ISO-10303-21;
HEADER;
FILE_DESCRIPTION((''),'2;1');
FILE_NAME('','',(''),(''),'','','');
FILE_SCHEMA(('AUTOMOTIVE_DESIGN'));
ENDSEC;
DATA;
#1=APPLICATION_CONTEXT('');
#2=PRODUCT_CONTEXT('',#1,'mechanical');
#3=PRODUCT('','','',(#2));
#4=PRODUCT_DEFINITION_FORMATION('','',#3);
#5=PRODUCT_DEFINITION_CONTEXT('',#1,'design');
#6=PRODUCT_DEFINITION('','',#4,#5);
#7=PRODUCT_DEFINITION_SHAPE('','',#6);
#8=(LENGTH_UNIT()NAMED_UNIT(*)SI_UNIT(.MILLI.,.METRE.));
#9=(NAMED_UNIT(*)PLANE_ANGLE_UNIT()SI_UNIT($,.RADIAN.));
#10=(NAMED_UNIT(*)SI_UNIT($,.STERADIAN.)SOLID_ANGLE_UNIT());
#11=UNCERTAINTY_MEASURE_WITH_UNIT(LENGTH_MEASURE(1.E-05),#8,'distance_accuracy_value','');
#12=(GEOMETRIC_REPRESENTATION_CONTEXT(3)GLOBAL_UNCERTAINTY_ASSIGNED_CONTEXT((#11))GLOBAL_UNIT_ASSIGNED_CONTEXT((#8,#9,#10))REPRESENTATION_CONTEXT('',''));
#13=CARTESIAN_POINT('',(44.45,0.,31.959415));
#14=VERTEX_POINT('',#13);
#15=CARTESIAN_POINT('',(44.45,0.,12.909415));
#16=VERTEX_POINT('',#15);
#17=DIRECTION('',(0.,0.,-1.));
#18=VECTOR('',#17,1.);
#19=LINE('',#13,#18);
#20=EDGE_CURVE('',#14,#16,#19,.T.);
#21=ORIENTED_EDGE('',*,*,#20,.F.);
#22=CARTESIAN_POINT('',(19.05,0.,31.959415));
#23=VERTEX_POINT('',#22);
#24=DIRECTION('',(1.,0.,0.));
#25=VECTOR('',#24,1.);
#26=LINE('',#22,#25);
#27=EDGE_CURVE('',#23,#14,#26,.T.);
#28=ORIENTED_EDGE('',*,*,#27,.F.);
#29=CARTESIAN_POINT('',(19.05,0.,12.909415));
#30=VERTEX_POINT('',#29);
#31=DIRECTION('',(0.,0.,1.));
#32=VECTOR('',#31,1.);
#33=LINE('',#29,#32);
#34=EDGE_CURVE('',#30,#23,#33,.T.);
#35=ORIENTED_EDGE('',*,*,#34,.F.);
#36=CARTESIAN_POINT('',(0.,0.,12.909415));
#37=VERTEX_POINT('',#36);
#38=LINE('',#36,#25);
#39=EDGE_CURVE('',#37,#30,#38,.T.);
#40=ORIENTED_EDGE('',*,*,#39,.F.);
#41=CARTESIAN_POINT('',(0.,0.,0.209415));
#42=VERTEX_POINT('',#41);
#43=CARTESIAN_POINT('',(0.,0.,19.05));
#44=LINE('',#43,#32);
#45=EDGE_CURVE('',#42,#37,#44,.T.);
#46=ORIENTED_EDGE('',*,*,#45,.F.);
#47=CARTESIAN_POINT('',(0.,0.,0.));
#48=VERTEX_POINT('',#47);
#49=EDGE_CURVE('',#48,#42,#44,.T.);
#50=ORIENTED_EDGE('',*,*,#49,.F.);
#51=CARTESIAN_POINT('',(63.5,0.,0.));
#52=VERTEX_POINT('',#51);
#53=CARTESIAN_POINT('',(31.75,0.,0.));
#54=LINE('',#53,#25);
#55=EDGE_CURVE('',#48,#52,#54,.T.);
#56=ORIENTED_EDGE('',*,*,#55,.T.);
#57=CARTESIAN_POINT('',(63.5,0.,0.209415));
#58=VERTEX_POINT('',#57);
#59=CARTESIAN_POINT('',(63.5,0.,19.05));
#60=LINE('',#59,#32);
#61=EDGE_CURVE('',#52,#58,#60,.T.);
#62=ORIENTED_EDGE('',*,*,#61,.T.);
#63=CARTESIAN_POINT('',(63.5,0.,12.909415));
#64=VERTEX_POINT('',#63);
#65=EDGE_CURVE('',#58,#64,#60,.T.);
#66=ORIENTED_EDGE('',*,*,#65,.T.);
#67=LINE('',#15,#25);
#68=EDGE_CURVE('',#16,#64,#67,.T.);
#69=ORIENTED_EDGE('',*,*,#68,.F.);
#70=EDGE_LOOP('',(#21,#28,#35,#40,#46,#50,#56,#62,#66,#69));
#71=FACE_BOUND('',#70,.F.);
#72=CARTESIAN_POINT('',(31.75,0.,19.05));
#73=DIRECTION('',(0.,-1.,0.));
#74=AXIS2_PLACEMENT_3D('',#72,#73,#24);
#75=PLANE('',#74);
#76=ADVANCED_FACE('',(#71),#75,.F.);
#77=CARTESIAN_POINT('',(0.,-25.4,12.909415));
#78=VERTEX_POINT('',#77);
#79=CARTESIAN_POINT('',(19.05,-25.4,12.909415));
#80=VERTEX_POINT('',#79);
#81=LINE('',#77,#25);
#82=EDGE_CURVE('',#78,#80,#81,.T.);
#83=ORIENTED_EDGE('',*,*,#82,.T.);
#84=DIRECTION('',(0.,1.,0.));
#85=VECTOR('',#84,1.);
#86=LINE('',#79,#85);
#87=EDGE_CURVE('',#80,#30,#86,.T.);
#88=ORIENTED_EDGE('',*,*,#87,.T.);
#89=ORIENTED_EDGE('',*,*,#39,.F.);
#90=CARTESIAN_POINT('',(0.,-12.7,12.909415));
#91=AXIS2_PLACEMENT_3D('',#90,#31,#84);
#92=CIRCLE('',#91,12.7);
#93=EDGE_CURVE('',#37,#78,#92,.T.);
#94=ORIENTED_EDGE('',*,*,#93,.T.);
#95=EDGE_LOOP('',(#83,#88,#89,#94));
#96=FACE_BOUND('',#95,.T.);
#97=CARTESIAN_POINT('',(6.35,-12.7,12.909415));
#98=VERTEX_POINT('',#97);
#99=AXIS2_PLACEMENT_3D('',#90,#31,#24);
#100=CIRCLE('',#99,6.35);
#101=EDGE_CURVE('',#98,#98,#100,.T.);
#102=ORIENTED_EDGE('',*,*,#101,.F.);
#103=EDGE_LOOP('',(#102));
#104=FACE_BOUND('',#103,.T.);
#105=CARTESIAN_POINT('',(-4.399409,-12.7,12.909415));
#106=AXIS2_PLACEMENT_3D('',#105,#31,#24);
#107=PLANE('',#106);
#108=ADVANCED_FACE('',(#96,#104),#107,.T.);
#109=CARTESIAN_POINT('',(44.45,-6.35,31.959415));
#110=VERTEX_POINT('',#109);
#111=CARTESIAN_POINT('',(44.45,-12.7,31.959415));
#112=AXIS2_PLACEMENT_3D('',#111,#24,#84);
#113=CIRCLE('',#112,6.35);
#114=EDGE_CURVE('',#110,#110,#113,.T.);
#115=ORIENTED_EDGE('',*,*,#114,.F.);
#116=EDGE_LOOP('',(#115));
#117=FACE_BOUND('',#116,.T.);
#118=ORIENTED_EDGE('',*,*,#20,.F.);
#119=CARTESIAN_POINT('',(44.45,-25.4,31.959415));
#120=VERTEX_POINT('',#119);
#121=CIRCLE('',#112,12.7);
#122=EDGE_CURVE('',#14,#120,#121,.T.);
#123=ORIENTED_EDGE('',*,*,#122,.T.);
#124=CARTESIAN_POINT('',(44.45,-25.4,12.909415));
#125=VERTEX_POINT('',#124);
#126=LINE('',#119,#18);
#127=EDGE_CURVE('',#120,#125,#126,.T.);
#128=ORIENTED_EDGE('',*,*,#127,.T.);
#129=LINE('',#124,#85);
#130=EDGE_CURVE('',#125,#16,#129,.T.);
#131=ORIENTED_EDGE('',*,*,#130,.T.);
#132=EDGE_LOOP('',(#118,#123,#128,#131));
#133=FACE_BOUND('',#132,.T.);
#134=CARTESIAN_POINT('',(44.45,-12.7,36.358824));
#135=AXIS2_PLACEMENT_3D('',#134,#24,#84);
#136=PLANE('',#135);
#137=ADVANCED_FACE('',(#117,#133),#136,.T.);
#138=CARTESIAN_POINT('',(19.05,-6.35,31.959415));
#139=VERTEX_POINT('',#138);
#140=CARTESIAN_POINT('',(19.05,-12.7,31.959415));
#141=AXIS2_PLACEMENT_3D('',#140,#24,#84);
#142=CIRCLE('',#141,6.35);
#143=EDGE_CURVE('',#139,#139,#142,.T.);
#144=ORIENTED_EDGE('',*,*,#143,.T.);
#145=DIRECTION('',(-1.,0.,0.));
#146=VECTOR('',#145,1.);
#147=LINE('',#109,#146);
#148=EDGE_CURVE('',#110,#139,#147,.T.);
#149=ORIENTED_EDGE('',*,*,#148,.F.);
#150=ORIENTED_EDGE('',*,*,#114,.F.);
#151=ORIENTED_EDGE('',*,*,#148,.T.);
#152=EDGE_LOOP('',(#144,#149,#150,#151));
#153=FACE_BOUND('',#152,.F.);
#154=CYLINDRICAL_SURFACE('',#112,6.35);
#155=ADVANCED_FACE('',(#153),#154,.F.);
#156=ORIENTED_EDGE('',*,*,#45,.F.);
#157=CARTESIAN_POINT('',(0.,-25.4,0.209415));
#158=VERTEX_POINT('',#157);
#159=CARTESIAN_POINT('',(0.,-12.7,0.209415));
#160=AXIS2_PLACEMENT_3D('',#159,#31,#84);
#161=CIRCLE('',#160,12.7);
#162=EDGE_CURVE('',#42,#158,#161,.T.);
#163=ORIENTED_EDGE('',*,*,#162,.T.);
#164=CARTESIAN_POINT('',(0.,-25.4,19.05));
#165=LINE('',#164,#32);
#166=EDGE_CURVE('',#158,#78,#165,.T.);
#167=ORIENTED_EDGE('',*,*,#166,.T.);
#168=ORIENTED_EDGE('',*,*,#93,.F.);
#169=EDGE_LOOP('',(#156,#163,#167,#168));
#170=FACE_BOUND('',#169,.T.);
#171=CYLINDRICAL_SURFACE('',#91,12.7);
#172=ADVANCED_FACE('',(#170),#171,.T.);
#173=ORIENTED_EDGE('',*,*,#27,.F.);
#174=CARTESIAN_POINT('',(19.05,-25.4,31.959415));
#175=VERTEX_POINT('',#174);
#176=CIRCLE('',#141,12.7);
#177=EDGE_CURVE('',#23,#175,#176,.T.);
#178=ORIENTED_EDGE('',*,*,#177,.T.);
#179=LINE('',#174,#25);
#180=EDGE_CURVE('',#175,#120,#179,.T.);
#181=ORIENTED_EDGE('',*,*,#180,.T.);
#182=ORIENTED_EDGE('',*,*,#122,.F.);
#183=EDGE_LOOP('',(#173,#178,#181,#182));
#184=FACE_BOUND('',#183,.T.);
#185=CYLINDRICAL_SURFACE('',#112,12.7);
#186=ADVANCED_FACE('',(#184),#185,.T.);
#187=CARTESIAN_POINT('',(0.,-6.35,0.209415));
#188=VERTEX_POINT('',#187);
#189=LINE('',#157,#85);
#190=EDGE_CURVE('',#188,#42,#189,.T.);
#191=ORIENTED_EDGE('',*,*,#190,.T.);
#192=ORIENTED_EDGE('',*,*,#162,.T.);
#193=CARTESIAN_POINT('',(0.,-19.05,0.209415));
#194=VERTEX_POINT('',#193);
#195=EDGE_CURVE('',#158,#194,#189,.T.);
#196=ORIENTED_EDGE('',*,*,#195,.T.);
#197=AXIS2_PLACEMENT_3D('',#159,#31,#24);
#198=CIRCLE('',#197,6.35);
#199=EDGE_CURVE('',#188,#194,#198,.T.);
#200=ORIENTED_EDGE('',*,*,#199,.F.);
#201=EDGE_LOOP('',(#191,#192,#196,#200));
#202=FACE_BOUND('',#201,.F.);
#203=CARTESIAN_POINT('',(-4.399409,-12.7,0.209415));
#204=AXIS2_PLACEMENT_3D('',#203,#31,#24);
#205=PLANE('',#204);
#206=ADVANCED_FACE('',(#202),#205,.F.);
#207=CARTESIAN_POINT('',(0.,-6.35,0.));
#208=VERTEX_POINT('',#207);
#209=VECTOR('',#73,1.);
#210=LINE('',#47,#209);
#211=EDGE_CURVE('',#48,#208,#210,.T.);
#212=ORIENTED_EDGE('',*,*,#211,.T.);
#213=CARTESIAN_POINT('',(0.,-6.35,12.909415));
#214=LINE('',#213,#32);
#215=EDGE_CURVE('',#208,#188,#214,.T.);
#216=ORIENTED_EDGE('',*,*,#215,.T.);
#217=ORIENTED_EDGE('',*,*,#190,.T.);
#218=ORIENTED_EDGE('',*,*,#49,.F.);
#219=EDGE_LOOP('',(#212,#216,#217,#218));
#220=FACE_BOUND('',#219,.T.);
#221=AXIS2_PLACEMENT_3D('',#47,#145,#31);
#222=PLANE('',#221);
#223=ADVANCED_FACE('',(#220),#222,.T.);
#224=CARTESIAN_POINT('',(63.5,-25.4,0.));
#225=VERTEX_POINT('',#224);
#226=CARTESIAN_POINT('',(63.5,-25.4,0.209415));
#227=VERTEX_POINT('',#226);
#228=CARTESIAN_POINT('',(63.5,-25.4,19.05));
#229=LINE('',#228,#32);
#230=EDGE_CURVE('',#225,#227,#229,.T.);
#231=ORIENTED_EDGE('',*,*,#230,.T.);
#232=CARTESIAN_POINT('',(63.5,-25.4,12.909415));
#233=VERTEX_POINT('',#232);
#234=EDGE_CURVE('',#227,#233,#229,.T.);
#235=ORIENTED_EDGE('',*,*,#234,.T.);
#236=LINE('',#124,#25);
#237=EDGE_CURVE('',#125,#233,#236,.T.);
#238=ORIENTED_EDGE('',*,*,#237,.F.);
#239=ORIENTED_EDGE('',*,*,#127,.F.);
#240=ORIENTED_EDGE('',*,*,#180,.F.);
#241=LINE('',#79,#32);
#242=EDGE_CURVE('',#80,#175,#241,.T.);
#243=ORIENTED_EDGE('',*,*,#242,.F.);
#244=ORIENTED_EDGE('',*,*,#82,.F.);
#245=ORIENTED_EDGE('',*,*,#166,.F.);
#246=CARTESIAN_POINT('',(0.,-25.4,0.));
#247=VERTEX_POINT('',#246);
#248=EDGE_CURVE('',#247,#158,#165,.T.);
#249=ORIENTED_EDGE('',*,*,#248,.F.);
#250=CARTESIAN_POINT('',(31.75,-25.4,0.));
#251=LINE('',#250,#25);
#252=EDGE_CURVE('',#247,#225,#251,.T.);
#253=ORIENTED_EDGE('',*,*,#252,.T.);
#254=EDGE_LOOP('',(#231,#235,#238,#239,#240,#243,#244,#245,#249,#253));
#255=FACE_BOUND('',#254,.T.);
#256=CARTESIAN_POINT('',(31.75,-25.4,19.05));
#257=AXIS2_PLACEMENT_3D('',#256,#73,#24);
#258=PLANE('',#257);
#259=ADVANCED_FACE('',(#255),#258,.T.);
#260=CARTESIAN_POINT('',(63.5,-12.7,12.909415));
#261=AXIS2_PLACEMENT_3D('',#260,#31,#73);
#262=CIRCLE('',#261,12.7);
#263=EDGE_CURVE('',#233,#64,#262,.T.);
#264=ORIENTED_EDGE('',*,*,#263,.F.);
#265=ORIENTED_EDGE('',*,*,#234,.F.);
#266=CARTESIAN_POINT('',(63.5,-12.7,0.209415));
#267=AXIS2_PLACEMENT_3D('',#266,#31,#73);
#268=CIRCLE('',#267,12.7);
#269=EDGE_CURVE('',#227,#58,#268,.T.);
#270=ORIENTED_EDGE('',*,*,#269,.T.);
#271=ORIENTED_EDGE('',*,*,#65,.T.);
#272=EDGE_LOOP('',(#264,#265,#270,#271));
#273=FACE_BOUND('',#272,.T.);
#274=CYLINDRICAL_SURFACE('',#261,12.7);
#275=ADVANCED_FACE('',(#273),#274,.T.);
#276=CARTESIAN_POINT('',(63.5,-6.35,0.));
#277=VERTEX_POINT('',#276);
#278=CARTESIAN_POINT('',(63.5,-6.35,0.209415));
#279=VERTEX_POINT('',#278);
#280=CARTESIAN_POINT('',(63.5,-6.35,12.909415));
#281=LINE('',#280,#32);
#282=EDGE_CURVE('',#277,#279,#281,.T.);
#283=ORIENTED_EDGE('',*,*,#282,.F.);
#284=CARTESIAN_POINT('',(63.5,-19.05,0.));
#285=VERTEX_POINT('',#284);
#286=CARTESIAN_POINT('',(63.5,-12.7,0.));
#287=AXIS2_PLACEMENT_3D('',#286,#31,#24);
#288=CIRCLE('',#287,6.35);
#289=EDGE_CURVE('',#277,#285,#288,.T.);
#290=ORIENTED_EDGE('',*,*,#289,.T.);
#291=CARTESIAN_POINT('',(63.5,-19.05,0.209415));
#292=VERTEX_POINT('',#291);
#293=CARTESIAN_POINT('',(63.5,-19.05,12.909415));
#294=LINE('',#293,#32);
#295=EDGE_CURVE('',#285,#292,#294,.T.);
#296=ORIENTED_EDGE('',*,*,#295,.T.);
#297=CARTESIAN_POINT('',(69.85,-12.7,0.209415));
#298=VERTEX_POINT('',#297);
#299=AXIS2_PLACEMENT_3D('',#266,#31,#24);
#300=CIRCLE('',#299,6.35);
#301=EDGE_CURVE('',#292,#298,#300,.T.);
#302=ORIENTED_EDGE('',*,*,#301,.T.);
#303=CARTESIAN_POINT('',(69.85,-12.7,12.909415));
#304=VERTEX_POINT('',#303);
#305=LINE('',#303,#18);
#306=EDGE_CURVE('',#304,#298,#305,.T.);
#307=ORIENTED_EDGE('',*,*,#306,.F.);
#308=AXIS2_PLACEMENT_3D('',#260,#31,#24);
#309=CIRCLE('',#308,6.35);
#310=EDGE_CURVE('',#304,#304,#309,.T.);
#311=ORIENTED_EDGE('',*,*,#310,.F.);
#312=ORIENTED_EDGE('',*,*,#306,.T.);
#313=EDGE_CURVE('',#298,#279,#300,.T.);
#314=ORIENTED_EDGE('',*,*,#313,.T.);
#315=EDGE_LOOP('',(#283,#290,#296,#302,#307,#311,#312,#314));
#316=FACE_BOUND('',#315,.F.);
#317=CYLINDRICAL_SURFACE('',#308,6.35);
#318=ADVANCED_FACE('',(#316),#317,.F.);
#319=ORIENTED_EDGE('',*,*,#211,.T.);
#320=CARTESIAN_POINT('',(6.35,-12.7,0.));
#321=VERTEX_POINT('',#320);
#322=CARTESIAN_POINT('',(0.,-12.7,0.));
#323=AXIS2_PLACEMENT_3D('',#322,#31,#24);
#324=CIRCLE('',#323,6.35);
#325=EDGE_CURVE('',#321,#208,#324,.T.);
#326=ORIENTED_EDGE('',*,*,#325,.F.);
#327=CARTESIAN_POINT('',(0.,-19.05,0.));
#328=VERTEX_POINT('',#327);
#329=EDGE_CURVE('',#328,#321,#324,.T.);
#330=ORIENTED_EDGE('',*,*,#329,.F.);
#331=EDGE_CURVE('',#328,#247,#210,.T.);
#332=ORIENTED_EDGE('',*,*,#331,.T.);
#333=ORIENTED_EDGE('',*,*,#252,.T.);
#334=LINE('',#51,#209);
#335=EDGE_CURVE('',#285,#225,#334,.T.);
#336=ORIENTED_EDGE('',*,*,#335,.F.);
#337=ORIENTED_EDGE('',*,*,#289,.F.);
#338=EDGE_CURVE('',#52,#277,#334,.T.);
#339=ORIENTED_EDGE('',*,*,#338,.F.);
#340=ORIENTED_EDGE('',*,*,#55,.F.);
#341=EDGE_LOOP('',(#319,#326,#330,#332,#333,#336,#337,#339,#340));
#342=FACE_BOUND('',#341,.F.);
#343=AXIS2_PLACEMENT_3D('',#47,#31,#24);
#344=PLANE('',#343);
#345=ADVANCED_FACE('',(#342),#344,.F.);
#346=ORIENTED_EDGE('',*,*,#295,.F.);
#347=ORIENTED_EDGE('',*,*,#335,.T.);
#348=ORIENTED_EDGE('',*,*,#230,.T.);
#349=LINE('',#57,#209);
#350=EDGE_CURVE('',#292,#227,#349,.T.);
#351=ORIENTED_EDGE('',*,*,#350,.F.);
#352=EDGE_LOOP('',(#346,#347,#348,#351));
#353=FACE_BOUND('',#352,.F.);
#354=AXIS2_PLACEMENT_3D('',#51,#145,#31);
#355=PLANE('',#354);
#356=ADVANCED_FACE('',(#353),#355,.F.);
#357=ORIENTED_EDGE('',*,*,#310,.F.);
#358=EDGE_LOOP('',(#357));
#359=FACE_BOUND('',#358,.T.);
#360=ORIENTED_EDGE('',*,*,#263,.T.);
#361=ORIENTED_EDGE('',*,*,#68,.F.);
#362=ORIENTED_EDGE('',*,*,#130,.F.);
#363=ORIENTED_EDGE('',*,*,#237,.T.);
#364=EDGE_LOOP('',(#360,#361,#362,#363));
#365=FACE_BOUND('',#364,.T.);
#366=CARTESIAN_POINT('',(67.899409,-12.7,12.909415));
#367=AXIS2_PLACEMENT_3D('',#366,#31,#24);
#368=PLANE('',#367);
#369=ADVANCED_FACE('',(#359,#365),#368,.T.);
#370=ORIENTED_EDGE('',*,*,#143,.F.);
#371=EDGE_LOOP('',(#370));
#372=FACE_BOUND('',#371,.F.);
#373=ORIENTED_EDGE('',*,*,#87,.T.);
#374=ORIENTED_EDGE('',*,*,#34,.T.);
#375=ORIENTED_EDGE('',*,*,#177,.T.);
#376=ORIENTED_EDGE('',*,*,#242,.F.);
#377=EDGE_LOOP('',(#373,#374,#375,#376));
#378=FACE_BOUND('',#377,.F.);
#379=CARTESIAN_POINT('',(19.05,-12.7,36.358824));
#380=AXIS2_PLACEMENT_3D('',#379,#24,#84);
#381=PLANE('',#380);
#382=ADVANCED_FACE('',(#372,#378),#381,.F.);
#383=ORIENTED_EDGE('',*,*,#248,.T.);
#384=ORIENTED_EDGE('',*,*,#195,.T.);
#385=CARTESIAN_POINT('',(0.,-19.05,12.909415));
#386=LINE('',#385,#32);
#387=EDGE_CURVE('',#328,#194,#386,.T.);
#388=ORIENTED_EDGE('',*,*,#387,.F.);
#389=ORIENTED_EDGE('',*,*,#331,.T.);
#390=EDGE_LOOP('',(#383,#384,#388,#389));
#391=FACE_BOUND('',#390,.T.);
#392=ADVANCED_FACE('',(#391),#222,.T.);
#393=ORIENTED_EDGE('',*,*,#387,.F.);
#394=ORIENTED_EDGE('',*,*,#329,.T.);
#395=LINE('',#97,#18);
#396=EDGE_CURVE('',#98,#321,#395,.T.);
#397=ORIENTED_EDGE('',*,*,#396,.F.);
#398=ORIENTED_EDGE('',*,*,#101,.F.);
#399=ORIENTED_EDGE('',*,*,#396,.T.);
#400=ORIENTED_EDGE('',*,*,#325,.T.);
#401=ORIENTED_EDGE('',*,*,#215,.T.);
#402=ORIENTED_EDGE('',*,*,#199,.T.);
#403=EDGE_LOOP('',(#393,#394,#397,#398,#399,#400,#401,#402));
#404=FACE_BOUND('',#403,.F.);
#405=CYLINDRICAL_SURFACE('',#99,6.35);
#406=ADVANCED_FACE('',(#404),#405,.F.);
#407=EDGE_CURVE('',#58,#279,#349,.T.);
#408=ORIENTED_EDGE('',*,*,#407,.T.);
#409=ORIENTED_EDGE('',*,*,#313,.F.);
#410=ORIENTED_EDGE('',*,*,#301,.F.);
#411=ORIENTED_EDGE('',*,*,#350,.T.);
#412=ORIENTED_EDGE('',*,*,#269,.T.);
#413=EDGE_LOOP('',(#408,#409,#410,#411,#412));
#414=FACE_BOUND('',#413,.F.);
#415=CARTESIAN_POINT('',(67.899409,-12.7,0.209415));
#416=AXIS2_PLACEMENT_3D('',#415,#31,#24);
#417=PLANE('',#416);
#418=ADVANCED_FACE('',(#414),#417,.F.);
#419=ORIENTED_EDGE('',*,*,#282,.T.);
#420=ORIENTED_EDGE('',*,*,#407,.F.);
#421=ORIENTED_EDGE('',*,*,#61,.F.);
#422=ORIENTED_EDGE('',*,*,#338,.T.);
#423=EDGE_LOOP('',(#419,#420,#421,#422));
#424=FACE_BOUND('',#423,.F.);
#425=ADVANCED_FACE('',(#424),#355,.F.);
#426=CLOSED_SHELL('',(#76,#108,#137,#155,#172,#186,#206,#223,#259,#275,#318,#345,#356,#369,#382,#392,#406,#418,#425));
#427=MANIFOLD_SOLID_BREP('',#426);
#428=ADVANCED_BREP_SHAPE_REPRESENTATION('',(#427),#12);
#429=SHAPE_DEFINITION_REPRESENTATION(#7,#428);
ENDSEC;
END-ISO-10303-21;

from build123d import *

# Parameters (mm, degrees)
F0_W      = 63.5
F0_H      = 38.1
F1_DEPTH  = 25.4
F3_DEPTH  = 25.4
F5_DEPTH  = 25.4
F7_DEPTH  = 12.7
F9_DEPTH  = 12.7
F10_R     = 6.35
F11_DEPTH = 25.4
F12_R     = 6.35
F13_DEPTH = 25.4
F14_R     = 6.35
F15_DEPTH = 25.4


with BuildPart() as f1:
    # F0 (on Front) → F1 (new body)
    with BuildSketch(Plane.XZ):
        with Locations((31.75, 19.05)):
            Rectangle(F0_W, F0_H)
    extrude(amount=F1_DEPTH)

    # F2 (on face) → F3 (cut)
    with BuildSketch(Plane.XZ.offset(25.4)):
        Polygon((0, 38.1), (0, 12.909415), (19.05, 12.909415), (19.05, 31.959415), (44.45, 31.959415), (44.45, 12.909415), (63.5, 12.909415), (63.5, 38.1), align=None)
    extrude(amount=-F3_DEPTH, mode=Mode.SUBTRACT)

    # F4 (on face) → F5 (join)
    with BuildSketch(Plane.YZ.offset(44.45)):
        with BuildLine():
            Line((-25.4, 31.959415), (0, 31.959415))
            ThreePointArc((0, 31.959415), (-12.7, 44.659415), (-25.4, 31.959415))
        make_face()
    extrude(amount=-F5_DEPTH)

    # F6 (on face) → F7 (join)
    with BuildSketch(Plane.XY.offset(12.909415)):
        with BuildLine():
            Line((0, -25.4), (0, 0))
            ThreePointArc((0, 0), (-12.7, -12.7), (0, -25.4))
        make_face()
    extrude(amount=-F7_DEPTH)

    # F8 (on face) → F9 (join)
    with BuildSketch(Plane.XY.offset(12.909415)):
        with BuildLine():
            Line((63.5, 0), (63.5, -25.4))
            ThreePointArc((63.5, -25.4), (76.2, -12.7), (63.5, 0))
        make_face()
    extrude(amount=-F9_DEPTH)

    # F10 (on face) → F11 (cut)
    with BuildSketch(Plane.YZ.offset(44.45)):
        with Locations((-12.7, 31.959415)):
            Circle(F10_R)
    extrude(amount=-F11_DEPTH, mode=Mode.SUBTRACT)

    # F12 (on face) → F13 (cut)
    with BuildSketch(Plane.XY.offset(12.909415)):
        with Locations((63.5, -12.7)):
            Circle(F12_R)
    extrude(amount=-F13_DEPTH, mode=Mode.SUBTRACT)

    # F14 (on face) → F15 (cut)
    with BuildSketch(Plane.XY.offset(12.909415)):
        with Locations((0, -12.7)):
            Circle(F14_R)
    extrude(amount=-F15_DEPTH, mode=Mode.SUBTRACT)


solid = f1.part
